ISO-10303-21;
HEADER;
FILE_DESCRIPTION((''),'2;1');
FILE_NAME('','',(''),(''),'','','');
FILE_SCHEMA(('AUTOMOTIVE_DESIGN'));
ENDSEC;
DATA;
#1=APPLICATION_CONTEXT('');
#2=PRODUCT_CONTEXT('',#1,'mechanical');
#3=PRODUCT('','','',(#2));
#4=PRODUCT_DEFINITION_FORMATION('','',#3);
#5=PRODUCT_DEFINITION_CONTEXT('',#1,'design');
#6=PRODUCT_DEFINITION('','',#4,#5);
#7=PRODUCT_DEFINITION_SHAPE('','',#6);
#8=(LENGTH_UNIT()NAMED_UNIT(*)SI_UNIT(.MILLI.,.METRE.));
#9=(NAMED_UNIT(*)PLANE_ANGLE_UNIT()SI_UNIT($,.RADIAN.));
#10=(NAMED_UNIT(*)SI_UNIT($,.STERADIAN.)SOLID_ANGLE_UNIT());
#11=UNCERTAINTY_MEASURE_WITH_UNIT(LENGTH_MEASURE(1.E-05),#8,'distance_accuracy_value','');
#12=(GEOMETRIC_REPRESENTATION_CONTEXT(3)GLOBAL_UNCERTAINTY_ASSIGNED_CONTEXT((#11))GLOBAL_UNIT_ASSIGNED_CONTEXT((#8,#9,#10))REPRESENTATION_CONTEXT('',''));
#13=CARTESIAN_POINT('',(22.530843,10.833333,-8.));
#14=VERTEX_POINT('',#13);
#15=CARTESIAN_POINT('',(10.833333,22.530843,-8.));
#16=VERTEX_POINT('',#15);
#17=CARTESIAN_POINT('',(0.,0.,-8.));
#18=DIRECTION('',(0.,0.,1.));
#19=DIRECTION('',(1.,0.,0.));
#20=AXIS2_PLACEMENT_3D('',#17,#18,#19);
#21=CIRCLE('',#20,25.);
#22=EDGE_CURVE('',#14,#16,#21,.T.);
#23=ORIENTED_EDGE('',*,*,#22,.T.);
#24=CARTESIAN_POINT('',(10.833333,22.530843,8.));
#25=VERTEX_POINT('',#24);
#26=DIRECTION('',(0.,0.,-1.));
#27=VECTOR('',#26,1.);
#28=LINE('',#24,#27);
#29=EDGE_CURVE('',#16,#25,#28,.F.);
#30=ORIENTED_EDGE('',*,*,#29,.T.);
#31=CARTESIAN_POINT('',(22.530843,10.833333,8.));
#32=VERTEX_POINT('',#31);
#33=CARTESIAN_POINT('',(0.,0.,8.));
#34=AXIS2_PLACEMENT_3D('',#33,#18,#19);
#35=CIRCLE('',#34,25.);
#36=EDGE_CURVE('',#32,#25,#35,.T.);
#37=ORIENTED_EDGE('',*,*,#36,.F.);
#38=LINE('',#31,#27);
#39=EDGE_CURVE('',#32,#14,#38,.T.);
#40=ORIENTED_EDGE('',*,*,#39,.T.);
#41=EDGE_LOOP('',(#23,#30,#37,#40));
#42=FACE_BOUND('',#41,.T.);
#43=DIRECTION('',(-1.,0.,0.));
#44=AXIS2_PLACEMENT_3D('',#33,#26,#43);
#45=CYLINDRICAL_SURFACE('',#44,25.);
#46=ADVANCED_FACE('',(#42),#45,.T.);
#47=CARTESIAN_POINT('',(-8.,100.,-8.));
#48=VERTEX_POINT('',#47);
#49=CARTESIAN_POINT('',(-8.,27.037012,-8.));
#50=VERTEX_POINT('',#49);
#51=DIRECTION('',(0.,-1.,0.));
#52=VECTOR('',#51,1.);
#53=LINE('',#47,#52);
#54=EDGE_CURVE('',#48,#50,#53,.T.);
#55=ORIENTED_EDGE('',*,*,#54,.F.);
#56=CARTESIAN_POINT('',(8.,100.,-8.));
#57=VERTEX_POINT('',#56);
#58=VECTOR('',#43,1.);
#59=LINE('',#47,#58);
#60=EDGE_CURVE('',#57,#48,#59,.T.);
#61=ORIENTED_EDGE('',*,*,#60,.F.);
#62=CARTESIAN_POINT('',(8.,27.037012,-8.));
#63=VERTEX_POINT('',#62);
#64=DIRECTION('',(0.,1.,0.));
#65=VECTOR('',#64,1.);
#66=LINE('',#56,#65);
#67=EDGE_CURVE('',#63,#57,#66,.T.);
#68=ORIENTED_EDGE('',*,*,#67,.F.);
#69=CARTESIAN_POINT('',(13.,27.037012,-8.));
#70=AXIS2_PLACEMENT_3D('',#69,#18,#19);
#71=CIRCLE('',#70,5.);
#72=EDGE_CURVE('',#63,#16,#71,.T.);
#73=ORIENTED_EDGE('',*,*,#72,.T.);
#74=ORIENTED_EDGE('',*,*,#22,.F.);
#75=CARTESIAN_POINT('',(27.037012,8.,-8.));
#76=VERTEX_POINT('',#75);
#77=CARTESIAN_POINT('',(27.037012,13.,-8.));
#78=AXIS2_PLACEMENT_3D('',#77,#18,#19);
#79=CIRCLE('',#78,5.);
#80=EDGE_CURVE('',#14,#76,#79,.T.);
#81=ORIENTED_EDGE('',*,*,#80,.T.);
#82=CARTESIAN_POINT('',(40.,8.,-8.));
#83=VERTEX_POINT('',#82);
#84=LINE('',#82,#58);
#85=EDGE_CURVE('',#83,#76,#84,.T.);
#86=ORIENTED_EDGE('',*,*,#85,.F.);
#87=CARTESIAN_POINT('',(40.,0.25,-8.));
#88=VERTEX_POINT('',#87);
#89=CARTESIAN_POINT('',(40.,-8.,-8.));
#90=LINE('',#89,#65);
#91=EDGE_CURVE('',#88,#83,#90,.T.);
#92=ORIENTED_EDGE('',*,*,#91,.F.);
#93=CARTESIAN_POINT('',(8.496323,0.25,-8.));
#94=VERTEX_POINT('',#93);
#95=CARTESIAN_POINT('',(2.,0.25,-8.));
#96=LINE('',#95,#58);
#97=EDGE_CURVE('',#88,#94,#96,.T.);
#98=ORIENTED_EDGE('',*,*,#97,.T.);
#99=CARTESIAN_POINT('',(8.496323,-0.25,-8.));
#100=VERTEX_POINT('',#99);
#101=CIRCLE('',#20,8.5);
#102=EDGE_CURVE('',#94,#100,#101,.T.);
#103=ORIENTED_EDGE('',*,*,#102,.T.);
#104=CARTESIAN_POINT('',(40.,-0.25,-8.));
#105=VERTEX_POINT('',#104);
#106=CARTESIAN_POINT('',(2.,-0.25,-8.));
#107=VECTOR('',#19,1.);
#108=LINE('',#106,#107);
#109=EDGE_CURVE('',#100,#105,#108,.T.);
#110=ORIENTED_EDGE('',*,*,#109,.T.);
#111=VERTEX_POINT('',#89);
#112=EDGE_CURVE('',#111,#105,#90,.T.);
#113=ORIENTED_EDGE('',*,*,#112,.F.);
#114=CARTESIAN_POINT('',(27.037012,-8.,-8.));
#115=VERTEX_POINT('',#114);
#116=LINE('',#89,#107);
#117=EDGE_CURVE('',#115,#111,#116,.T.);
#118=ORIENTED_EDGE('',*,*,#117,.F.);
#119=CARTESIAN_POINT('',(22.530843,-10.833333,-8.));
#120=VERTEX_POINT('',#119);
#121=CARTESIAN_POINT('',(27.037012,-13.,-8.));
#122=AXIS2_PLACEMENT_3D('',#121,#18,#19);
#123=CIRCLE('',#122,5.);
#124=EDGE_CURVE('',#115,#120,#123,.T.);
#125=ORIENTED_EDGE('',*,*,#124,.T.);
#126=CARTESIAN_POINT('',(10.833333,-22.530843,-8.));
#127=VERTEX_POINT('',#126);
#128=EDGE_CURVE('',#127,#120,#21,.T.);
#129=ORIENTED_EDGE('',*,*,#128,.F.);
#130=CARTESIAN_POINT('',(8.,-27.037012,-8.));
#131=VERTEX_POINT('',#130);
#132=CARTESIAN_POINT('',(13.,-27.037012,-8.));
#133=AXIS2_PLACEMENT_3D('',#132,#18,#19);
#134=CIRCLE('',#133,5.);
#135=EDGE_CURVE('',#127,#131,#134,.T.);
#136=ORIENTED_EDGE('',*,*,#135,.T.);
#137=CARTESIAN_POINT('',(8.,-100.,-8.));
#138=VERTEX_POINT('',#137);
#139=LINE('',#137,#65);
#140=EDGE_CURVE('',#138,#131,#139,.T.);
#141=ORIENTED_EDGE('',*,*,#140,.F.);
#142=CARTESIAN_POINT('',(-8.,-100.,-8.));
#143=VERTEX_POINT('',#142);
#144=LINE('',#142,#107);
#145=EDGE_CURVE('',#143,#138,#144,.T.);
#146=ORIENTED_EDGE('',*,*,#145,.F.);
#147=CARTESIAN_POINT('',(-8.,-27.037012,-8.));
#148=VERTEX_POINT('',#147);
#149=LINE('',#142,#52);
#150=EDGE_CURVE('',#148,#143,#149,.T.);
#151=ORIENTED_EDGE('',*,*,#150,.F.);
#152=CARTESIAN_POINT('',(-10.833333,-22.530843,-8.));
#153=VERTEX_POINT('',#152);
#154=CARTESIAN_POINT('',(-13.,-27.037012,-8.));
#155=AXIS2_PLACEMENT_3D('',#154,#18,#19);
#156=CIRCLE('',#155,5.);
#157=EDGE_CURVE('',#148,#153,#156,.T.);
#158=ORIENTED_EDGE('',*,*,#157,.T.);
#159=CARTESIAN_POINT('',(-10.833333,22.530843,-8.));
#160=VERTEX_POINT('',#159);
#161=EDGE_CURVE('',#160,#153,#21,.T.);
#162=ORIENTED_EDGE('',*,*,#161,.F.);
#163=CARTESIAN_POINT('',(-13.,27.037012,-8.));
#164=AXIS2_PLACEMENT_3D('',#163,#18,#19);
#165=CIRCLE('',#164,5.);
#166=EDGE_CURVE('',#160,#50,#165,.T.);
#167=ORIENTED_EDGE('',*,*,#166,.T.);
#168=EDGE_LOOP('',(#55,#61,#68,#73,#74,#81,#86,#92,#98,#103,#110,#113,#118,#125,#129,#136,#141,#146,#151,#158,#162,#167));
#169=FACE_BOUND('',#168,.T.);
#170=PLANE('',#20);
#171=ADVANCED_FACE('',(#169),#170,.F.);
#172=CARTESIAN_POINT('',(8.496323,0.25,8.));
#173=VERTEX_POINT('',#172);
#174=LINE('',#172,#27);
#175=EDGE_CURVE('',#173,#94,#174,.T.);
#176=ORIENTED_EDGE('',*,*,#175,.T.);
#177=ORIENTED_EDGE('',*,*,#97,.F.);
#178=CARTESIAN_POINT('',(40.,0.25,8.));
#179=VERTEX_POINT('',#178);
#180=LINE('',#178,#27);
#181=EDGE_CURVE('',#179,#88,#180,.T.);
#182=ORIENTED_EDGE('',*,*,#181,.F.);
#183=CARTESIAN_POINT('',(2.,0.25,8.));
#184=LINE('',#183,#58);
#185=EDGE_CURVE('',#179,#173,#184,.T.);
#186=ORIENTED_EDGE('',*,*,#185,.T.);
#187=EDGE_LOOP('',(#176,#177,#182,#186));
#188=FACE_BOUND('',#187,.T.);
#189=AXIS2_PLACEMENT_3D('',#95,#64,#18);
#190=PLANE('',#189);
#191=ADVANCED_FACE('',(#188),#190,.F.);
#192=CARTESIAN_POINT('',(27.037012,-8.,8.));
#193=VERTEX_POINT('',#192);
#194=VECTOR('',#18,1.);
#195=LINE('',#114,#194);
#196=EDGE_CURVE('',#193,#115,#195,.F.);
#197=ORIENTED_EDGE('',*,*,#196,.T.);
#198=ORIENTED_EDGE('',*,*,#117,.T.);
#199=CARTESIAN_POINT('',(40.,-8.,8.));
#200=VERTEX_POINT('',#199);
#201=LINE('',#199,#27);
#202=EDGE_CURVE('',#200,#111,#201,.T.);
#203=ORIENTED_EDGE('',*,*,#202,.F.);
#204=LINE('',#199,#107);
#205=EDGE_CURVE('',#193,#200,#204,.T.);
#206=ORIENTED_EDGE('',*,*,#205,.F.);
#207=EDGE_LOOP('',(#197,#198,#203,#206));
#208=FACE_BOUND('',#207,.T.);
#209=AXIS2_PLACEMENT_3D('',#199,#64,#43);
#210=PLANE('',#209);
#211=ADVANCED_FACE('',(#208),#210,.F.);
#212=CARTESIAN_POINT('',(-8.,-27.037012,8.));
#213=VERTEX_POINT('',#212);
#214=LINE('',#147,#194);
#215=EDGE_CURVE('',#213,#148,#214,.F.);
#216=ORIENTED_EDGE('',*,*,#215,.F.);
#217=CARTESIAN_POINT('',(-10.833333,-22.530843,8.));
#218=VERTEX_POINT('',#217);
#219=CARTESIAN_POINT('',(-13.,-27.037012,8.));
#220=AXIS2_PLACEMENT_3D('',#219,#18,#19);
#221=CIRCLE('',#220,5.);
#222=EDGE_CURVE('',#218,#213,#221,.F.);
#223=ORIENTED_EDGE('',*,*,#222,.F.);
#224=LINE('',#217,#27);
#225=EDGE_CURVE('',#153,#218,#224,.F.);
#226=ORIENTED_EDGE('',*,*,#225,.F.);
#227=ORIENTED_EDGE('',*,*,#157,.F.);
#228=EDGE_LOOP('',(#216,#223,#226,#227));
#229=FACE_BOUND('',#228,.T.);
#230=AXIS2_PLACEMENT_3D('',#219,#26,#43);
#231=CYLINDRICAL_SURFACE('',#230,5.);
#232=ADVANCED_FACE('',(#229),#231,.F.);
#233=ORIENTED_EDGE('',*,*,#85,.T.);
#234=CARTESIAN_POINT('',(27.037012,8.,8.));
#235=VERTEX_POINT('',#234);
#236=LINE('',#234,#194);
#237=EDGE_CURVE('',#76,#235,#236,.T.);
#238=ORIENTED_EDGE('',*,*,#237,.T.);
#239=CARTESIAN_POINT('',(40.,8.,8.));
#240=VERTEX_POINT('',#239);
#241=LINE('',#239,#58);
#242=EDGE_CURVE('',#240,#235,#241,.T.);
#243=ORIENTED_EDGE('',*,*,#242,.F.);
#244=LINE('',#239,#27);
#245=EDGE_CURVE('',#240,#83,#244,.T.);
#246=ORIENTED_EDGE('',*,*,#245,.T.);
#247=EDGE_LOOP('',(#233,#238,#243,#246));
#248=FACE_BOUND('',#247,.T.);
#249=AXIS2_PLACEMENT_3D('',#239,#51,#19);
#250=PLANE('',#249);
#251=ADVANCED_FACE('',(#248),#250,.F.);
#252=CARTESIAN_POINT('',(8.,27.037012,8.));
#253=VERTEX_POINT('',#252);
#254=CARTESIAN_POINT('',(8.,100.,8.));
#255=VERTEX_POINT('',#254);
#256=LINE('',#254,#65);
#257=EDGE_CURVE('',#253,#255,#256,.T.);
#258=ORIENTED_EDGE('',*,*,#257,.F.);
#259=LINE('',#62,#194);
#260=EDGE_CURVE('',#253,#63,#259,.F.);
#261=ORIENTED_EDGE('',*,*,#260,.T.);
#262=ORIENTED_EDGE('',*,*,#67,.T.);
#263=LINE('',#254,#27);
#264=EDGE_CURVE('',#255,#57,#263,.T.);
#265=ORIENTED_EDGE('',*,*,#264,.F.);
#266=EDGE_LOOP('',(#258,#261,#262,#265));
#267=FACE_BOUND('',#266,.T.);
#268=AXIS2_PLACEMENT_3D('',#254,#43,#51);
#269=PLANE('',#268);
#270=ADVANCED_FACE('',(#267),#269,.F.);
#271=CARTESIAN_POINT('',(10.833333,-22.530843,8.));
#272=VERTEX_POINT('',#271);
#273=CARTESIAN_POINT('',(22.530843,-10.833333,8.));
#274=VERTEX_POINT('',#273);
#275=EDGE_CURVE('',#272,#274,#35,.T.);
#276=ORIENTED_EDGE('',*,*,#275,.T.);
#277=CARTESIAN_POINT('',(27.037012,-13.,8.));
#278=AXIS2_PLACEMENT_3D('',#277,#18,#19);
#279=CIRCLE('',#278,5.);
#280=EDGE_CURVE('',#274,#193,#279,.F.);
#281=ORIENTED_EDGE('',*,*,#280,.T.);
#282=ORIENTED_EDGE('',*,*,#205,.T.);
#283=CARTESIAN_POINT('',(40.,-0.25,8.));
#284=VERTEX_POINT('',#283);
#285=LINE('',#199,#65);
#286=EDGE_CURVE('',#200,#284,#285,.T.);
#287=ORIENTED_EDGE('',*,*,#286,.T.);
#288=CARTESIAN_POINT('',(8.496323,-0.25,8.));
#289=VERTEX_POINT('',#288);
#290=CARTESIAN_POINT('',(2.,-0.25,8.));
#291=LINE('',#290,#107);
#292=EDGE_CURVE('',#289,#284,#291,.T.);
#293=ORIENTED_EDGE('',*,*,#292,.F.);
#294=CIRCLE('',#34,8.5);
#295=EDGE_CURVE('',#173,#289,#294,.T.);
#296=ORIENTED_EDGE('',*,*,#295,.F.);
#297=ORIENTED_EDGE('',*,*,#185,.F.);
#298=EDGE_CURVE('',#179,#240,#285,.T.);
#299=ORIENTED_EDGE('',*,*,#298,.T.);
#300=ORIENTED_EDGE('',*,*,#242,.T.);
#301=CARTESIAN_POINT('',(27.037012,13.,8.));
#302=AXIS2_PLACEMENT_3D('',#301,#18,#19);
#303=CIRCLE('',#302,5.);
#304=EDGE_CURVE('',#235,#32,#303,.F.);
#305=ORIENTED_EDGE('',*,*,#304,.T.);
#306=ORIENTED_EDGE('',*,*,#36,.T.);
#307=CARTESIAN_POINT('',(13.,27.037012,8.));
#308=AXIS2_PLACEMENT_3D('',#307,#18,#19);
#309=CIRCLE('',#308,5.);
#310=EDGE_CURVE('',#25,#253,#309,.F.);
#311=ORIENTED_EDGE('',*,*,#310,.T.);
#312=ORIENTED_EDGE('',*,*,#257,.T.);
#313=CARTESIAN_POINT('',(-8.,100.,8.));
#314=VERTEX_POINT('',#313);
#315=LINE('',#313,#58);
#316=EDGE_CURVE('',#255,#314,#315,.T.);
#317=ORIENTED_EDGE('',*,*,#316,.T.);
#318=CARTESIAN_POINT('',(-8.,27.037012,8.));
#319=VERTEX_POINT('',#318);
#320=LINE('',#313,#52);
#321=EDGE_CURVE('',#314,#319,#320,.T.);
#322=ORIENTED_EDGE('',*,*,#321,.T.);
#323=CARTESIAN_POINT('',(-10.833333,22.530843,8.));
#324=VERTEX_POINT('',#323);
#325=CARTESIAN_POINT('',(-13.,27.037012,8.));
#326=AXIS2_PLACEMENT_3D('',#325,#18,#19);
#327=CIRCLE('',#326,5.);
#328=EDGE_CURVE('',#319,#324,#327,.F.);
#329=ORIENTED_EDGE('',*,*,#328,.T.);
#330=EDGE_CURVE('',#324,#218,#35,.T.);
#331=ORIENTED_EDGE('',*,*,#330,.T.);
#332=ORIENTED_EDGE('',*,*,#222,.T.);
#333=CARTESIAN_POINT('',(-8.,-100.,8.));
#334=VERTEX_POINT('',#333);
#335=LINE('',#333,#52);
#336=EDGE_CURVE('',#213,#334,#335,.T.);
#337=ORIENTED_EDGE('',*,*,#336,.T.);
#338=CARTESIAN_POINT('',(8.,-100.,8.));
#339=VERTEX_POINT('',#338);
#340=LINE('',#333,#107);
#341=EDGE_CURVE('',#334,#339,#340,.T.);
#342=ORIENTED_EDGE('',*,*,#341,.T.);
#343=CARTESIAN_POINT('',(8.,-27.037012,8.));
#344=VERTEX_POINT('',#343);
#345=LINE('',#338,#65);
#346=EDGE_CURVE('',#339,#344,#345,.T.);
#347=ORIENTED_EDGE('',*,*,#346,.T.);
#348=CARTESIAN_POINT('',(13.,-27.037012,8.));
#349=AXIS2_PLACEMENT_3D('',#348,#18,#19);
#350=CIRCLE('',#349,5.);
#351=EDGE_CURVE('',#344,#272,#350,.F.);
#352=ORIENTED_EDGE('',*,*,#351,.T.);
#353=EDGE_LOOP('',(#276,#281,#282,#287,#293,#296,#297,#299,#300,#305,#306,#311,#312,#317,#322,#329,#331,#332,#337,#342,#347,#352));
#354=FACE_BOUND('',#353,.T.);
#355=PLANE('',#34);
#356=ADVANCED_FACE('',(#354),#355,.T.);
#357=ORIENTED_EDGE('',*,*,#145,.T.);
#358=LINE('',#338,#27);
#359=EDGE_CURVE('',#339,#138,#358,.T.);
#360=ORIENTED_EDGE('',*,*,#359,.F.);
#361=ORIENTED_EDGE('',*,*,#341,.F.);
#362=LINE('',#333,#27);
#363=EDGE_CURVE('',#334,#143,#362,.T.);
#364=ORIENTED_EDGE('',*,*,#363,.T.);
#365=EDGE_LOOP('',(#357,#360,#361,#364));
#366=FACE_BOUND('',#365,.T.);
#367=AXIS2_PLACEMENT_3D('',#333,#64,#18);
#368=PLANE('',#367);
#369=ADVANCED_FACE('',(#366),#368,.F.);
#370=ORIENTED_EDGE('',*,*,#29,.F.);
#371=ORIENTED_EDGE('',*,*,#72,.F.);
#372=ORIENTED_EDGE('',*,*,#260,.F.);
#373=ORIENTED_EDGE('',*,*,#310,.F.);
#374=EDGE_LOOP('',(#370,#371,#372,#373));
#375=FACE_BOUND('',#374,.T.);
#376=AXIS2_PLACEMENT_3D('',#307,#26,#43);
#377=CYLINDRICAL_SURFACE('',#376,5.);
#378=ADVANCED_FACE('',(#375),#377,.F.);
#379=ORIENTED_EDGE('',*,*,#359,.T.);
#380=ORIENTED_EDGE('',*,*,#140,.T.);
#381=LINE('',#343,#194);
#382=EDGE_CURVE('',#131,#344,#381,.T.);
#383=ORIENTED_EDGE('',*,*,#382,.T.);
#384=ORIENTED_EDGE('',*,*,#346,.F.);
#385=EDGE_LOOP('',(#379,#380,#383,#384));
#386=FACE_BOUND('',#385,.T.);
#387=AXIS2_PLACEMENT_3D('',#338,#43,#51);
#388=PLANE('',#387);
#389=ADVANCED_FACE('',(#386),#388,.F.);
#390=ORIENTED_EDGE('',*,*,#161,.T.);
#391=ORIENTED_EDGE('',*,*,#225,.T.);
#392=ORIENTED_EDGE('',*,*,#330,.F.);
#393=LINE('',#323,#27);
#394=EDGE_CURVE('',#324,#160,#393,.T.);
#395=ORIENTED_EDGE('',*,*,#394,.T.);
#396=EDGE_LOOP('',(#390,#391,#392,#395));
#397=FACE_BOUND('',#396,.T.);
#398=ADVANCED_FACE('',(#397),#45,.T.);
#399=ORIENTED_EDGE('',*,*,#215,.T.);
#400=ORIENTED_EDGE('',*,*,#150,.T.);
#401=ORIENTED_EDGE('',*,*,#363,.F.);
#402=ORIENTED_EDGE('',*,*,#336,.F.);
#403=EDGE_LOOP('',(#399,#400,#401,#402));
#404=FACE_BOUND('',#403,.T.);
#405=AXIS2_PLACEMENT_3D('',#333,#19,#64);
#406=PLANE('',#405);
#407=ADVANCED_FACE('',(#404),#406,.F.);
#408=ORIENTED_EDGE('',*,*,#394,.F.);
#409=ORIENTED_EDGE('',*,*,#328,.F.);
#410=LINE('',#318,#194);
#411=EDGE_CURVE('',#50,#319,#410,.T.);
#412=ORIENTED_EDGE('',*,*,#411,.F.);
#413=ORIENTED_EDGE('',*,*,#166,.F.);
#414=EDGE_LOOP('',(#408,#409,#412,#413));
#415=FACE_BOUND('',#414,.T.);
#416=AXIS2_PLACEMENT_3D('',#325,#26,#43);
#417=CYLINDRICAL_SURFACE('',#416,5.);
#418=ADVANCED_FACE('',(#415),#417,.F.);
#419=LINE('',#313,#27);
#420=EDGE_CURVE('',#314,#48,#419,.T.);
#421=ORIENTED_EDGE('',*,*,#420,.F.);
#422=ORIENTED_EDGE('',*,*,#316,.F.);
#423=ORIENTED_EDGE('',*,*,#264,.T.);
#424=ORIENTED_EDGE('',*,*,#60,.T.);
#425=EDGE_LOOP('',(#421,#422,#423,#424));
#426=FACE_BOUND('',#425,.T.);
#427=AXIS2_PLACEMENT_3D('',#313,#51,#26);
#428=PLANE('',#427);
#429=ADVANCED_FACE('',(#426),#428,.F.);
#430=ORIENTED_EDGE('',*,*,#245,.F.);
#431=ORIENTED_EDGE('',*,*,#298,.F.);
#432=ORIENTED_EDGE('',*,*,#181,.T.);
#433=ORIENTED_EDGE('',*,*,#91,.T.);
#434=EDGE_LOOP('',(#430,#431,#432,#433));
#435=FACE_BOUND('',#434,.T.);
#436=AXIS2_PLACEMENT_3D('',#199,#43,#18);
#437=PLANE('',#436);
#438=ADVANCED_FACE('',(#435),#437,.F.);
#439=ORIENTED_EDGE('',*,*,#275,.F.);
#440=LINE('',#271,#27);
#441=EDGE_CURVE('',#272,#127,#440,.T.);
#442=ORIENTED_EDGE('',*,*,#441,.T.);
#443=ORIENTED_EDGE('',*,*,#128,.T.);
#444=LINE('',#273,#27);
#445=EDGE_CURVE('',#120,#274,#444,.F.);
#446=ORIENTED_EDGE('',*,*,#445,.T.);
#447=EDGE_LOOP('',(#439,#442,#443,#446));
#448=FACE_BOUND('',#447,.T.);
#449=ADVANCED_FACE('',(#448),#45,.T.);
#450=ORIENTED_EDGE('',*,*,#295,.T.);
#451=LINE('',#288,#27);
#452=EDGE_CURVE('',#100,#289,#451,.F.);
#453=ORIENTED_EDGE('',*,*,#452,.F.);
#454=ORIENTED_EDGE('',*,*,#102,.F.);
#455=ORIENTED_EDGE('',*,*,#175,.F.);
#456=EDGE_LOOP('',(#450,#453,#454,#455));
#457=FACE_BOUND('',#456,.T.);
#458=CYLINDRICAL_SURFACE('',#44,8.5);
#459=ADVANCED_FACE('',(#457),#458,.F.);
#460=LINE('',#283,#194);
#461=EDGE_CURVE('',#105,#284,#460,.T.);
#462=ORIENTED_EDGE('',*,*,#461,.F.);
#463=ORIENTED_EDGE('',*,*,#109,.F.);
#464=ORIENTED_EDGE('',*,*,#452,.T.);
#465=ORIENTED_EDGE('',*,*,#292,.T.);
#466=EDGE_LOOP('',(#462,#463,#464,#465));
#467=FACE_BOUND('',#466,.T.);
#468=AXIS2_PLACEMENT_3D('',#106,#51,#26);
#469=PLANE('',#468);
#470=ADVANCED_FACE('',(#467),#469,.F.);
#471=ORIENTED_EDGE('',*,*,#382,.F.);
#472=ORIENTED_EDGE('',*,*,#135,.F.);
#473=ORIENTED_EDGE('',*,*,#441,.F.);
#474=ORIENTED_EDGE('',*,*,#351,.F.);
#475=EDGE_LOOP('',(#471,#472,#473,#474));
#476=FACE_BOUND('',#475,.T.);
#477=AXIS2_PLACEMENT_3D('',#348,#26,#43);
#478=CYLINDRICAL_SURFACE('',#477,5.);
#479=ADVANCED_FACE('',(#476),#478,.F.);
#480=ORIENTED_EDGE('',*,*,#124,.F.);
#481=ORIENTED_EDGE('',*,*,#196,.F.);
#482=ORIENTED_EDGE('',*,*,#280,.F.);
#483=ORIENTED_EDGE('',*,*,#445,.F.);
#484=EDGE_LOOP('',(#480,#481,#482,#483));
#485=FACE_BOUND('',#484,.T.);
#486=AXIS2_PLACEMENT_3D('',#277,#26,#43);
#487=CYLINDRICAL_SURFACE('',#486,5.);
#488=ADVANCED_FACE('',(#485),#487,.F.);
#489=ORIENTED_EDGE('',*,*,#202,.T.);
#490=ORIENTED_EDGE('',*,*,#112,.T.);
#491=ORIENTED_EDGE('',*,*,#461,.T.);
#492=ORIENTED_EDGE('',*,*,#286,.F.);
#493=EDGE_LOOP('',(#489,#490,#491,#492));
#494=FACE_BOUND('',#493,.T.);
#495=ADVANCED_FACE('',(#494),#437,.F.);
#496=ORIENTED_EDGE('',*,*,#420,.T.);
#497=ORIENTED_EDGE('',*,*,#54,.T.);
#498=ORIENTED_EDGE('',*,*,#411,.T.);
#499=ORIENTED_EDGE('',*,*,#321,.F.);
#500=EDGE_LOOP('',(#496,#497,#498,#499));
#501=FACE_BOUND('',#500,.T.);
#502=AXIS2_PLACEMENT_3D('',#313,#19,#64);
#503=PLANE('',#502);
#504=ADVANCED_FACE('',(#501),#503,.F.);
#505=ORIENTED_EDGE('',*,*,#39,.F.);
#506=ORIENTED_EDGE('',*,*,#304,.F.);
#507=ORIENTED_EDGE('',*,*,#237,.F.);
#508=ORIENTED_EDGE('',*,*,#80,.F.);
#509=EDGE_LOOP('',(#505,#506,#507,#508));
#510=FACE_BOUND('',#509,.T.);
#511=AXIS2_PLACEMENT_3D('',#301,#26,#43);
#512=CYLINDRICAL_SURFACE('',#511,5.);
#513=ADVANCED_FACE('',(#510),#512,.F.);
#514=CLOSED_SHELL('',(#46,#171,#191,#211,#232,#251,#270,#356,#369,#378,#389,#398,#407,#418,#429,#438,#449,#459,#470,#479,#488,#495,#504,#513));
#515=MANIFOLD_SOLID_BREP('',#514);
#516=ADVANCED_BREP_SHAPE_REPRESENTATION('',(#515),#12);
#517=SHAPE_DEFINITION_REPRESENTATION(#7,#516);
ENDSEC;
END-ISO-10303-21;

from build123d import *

# Parameters (mm, degrees)
SKETCH1_R               = 25
SKETCH1_R_2             = 8.5
BOSS_EXTRUDE1_DEPTH     = 8
SKETCH2_W               = 16
SKETCH2_H               = 76.314561435
BOSS_EXTRUDE2_DEPTH     = 8
SKETCH3_W               = 16
SKETCH3_H               = 76.314561435
BOSS_EXTRUDE3_DEPTH     = 8
SKETCH4_W               = 16.314561435
SKETCH4_H               = 16
BOSS_EXTRUDE4_DEPTH     = 8
CUT_EXTRUDE1_DEPTH      = 109
CUT_EXTRUDE1_DEPTH_BACK = 109
SKETCH5_W               = 48
SKETCH5_H               = 0.5
FILLET1_R               = 5


with BuildPart() as part:
    # Sketch1 → Boss-Extrude1 (new, symmetric)
    with BuildSketch(Plane.XY):
        Circle(SKETCH1_R)
        Circle(SKETCH1_R_2, mode=Mode.SUBTRACT)
    extrude(amount=BOSS_EXTRUDE1_DEPTH, both=True)

    # Sketch2 → Boss-Extrude2 (add, symmetric)
    with BuildSketch(Plane.XY):
        with Locations((0, 61.842719282)):
            Rectangle(SKETCH2_W, SKETCH2_H)
    extrude(amount=BOSS_EXTRUDE2_DEPTH, both=True)

    # Sketch3 → Boss-Extrude3 (add, symmetric)
    with BuildSketch(Plane.XY):
        with Locations((0, -61.842719282)):
            Rectangle(SKETCH3_W, SKETCH3_H)
    extrude(amount=BOSS_EXTRUDE3_DEPTH, both=True)

    # Sketch4 → Boss-Extrude4 (add, symmetric)
    with BuildSketch(Plane.XY):
        with Locations((31.842719282, 0)):
            Rectangle(SKETCH4_W, SKETCH4_H)
    extrude(amount=BOSS_EXTRUDE4_DEPTH, both=True)

    # Sketch5 → Cut-Extrude1 (cut, two sides: drawn at the far end of the back side and taken through both)
    with BuildSketch(Plane.XY.offset(-CUT_EXTRUDE1_DEPTH_BACK)):
        with Locations((26, 0)):
            Rectangle(SKETCH5_W, SKETCH5_H)
    extrude(amount=CUT_EXTRUDE1_DEPTH + CUT_EXTRUDE1_DEPTH_BACK, mode=Mode.SUBTRACT)

    # Fillet1
    fillet1_edges = [part.edges().sort_by_distance(p)[0] for p in [
        (8, 23.685438565, 0),
        (-8, 23.685438565, 0),
        (8, -23.685438565, 0),
        (-8, -23.685438565, 0),
        (23.685438565, -8, 0),
        (23.685438565, 8, 0),
    ]]
    fillet(fillet1_edges, radius=FILLET1_R)


solid = part.part
